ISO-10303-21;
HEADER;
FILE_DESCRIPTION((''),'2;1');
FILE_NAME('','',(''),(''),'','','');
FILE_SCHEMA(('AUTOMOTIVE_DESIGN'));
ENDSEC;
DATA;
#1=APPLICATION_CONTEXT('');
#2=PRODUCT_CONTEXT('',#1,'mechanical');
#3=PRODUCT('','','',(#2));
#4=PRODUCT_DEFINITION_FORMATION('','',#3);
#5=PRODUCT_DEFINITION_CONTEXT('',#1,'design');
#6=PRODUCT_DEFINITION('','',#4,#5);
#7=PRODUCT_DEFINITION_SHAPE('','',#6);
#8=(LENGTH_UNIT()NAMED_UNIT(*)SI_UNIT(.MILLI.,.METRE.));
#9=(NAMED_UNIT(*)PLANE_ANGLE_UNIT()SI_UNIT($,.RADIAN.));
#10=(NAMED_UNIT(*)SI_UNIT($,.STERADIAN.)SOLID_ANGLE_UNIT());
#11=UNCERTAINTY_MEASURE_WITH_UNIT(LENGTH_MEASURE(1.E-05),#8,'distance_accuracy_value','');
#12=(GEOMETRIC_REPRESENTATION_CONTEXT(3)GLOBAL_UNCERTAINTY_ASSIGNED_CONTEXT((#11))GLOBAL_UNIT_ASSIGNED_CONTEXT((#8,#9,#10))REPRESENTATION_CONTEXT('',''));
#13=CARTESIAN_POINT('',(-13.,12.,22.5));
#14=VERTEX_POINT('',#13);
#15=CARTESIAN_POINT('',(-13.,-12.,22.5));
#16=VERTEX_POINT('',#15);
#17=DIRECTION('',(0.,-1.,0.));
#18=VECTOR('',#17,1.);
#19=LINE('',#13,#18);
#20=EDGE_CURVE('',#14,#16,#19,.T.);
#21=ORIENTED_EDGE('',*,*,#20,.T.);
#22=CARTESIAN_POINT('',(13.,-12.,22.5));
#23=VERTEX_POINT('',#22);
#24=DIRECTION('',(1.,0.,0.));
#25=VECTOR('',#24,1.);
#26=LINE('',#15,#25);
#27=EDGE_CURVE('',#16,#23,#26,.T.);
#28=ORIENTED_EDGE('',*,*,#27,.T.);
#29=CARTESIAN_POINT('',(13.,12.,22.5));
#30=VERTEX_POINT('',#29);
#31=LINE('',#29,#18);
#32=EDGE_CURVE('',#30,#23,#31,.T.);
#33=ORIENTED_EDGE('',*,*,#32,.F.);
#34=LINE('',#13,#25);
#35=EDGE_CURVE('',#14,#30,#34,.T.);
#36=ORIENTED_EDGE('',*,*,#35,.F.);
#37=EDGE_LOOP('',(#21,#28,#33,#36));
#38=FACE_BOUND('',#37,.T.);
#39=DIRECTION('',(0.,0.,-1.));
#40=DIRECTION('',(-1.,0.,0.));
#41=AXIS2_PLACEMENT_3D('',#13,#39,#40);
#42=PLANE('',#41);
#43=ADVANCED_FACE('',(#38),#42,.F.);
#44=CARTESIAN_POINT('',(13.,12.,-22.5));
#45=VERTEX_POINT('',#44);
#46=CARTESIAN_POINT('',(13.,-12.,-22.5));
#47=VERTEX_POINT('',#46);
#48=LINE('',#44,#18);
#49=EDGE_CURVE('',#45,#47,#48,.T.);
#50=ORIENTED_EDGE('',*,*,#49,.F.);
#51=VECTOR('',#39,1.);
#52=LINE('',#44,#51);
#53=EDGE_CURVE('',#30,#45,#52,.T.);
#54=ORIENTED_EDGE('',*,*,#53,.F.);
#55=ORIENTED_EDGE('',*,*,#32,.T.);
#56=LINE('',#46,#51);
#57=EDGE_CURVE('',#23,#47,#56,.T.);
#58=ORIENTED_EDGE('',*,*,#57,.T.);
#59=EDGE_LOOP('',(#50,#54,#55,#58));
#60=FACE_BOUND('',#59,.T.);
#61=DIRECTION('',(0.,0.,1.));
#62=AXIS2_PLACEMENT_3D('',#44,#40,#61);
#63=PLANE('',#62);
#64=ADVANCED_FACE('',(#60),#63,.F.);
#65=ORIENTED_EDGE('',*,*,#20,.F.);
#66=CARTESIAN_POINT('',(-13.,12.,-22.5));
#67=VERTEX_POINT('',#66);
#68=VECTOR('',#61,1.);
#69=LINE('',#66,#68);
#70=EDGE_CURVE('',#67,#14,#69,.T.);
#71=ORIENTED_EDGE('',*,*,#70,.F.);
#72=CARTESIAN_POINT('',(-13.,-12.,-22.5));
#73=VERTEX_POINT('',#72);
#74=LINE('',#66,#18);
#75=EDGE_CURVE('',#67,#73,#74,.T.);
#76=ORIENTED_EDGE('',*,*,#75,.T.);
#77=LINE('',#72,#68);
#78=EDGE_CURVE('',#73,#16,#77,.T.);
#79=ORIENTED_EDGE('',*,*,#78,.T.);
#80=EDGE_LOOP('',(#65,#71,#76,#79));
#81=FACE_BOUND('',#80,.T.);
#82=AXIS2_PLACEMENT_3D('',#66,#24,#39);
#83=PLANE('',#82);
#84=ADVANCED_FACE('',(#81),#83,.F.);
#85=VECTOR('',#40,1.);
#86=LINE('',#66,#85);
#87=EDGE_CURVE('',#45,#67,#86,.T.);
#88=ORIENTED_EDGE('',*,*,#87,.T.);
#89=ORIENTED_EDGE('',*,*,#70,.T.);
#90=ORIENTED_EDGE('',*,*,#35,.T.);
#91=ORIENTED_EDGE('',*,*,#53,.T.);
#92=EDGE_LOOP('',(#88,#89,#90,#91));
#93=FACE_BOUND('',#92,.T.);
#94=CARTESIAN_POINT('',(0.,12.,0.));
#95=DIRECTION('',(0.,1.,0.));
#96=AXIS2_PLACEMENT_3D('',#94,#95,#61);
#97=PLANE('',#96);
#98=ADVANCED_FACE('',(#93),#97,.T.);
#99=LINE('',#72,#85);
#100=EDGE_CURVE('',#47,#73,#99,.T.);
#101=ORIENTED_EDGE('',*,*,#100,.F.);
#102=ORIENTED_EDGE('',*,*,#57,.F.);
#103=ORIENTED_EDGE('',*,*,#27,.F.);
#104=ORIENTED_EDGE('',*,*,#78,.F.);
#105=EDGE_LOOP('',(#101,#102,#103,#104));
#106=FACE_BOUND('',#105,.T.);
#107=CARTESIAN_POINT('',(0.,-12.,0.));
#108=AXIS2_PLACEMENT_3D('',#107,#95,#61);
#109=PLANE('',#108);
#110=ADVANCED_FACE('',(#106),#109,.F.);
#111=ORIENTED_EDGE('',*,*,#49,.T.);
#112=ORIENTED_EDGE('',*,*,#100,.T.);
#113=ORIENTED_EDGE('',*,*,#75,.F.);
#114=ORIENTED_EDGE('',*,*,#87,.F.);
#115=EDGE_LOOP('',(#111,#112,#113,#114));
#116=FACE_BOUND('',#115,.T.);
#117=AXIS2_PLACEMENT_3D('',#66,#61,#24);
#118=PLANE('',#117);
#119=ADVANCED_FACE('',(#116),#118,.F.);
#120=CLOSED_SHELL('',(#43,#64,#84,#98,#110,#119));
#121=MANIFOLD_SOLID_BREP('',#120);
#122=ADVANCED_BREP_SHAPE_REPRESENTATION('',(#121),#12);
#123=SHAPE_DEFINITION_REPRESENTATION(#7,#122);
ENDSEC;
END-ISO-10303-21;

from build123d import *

# Parameters (mm, degrees)
SKETCH2_W           = 26
SKETCH2_H           = 45
BOSS_EXTRUDE1_DEPTH = 12


with BuildPart() as part:
    # Sketch2 → Boss-Extrude1 (new body, symmetric)
    with BuildSketch(Plane(origin=(0, 0, 0), x_dir=(1, 0, 0), z_dir=(0, 1, 0))):
        Rectangle(SKETCH2_W, SKETCH2_H)
    extrude(amount=BOSS_EXTRUDE1_DEPTH, both=True)


solid = part.part
